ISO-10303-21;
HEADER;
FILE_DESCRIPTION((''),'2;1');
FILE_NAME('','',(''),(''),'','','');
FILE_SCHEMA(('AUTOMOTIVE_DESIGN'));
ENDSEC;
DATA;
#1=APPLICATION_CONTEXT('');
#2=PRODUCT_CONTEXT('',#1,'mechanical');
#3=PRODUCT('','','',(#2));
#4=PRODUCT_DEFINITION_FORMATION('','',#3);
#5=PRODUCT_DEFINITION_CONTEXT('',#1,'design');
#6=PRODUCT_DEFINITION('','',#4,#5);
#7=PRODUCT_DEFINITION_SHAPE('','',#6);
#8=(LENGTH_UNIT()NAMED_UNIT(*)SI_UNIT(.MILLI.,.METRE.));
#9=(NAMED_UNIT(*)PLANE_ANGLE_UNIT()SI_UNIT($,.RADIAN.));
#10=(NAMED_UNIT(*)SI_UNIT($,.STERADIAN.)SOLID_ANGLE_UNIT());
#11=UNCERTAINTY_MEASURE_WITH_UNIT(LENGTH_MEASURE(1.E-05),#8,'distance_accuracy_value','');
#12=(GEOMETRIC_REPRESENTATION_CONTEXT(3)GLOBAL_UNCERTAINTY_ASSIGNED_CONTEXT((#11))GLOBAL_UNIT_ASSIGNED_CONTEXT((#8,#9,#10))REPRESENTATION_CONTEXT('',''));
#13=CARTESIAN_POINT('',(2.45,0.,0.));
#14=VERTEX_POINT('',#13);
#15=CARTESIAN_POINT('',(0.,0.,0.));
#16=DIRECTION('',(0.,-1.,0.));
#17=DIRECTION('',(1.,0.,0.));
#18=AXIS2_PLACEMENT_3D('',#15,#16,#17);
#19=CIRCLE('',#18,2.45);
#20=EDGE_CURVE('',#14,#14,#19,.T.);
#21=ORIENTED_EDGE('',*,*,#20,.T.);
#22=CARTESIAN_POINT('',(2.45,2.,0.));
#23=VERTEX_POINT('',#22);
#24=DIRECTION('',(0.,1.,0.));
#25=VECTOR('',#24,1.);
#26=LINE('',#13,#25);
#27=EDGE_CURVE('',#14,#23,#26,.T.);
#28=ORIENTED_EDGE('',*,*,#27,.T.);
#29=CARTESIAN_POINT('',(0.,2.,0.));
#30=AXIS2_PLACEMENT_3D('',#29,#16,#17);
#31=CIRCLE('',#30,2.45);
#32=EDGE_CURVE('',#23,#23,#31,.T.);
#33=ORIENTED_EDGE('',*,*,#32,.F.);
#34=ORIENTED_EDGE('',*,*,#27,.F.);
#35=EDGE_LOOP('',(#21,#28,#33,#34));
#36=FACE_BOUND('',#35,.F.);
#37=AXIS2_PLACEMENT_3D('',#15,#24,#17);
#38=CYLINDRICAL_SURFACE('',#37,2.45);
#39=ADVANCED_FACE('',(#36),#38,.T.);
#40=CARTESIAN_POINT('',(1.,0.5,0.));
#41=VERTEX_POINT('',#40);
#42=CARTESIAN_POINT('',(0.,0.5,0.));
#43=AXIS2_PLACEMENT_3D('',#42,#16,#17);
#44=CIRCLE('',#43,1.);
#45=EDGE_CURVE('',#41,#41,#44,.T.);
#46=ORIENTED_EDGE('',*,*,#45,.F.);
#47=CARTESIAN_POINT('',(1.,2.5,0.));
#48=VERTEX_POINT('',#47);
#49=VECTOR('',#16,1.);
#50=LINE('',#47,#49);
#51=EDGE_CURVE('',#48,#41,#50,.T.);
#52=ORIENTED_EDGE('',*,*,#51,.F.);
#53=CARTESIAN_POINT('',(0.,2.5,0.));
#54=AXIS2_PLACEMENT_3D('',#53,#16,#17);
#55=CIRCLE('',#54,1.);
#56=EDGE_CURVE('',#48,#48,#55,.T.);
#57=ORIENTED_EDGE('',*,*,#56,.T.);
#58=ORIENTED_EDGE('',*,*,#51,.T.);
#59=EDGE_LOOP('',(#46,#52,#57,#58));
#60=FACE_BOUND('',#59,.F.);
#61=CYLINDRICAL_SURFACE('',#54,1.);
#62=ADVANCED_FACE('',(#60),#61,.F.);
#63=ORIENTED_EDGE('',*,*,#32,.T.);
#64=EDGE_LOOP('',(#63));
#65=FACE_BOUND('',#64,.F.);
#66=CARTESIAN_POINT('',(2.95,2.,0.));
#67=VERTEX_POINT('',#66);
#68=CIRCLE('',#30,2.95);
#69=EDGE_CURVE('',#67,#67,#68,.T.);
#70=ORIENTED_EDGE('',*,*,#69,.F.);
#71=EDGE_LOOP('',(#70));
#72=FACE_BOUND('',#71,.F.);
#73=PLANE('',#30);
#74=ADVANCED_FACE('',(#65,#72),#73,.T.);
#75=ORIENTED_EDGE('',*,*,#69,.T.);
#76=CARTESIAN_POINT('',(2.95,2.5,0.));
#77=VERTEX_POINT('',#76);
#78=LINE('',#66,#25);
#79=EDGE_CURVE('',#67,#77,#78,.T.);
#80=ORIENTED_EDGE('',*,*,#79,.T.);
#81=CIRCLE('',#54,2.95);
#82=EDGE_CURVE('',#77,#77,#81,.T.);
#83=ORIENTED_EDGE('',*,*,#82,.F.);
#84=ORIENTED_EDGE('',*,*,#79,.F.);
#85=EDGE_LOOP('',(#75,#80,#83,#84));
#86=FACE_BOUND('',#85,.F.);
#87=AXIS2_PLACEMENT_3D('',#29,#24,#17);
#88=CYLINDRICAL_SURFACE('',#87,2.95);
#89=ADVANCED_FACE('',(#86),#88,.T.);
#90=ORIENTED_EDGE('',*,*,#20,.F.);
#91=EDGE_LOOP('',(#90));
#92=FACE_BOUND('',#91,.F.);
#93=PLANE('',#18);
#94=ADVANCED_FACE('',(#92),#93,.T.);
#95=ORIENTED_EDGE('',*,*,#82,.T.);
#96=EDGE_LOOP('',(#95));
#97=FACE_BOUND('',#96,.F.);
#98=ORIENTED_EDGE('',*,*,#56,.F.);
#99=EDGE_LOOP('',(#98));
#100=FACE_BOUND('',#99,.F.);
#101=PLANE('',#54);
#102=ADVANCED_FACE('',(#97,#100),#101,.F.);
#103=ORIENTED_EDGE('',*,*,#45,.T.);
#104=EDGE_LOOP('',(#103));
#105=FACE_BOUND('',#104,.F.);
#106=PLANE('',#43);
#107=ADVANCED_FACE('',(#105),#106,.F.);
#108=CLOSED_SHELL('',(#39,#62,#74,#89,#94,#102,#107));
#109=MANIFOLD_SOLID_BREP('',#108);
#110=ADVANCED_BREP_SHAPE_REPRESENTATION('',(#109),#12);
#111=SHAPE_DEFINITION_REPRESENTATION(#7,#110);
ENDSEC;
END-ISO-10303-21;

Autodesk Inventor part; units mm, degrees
ref_plane "YZ Plane" through (0, 0, 0) normal (1, 0, 0) x (0, 1, 0)
ref_plane "XZ Plane" through (0, 0, 0) normal (0, 1, 0) x (-1, 0, 0)
ref_plane "XY Plane" through (0, 0, 0) normal (0, 0, 1) x (1, 0, 0)
sketch "Sketch1" plane through (0, 0, 0) normal (0, 0, 1) x (1, 0, 0)
  line L0 (0, 0) -> (2.45, 0)
  line L1 (2.45, 0) -> (2.45, 2)
  line L2 (2.45, 2) -> (2.95, 2)
  line L3 (2.95, 2) -> (2.95, 2.5)
  line L4 (2.95, 2.5) -> (1, 2.5)
  line L5 (1, 2.5) -> (1, 0.5)
  line L6 (1, 0.5) -> (0, 0.5)
  line L7 (0, 0.5) -> (0, 0)
  dimension "d0" = 1
  dimension "d1" = 2
  dimension "d2" = 0.5
  dimension "d3" = 0.5
  dimension "d4" = 2.45
  dimension "d5" = 0.5
revolve "Revolution1" add sketch "Sketch1" angle 360 about axis through (0, 0.5, 0) along (0, -1, 0)
properties part number "BearingAdapter"
